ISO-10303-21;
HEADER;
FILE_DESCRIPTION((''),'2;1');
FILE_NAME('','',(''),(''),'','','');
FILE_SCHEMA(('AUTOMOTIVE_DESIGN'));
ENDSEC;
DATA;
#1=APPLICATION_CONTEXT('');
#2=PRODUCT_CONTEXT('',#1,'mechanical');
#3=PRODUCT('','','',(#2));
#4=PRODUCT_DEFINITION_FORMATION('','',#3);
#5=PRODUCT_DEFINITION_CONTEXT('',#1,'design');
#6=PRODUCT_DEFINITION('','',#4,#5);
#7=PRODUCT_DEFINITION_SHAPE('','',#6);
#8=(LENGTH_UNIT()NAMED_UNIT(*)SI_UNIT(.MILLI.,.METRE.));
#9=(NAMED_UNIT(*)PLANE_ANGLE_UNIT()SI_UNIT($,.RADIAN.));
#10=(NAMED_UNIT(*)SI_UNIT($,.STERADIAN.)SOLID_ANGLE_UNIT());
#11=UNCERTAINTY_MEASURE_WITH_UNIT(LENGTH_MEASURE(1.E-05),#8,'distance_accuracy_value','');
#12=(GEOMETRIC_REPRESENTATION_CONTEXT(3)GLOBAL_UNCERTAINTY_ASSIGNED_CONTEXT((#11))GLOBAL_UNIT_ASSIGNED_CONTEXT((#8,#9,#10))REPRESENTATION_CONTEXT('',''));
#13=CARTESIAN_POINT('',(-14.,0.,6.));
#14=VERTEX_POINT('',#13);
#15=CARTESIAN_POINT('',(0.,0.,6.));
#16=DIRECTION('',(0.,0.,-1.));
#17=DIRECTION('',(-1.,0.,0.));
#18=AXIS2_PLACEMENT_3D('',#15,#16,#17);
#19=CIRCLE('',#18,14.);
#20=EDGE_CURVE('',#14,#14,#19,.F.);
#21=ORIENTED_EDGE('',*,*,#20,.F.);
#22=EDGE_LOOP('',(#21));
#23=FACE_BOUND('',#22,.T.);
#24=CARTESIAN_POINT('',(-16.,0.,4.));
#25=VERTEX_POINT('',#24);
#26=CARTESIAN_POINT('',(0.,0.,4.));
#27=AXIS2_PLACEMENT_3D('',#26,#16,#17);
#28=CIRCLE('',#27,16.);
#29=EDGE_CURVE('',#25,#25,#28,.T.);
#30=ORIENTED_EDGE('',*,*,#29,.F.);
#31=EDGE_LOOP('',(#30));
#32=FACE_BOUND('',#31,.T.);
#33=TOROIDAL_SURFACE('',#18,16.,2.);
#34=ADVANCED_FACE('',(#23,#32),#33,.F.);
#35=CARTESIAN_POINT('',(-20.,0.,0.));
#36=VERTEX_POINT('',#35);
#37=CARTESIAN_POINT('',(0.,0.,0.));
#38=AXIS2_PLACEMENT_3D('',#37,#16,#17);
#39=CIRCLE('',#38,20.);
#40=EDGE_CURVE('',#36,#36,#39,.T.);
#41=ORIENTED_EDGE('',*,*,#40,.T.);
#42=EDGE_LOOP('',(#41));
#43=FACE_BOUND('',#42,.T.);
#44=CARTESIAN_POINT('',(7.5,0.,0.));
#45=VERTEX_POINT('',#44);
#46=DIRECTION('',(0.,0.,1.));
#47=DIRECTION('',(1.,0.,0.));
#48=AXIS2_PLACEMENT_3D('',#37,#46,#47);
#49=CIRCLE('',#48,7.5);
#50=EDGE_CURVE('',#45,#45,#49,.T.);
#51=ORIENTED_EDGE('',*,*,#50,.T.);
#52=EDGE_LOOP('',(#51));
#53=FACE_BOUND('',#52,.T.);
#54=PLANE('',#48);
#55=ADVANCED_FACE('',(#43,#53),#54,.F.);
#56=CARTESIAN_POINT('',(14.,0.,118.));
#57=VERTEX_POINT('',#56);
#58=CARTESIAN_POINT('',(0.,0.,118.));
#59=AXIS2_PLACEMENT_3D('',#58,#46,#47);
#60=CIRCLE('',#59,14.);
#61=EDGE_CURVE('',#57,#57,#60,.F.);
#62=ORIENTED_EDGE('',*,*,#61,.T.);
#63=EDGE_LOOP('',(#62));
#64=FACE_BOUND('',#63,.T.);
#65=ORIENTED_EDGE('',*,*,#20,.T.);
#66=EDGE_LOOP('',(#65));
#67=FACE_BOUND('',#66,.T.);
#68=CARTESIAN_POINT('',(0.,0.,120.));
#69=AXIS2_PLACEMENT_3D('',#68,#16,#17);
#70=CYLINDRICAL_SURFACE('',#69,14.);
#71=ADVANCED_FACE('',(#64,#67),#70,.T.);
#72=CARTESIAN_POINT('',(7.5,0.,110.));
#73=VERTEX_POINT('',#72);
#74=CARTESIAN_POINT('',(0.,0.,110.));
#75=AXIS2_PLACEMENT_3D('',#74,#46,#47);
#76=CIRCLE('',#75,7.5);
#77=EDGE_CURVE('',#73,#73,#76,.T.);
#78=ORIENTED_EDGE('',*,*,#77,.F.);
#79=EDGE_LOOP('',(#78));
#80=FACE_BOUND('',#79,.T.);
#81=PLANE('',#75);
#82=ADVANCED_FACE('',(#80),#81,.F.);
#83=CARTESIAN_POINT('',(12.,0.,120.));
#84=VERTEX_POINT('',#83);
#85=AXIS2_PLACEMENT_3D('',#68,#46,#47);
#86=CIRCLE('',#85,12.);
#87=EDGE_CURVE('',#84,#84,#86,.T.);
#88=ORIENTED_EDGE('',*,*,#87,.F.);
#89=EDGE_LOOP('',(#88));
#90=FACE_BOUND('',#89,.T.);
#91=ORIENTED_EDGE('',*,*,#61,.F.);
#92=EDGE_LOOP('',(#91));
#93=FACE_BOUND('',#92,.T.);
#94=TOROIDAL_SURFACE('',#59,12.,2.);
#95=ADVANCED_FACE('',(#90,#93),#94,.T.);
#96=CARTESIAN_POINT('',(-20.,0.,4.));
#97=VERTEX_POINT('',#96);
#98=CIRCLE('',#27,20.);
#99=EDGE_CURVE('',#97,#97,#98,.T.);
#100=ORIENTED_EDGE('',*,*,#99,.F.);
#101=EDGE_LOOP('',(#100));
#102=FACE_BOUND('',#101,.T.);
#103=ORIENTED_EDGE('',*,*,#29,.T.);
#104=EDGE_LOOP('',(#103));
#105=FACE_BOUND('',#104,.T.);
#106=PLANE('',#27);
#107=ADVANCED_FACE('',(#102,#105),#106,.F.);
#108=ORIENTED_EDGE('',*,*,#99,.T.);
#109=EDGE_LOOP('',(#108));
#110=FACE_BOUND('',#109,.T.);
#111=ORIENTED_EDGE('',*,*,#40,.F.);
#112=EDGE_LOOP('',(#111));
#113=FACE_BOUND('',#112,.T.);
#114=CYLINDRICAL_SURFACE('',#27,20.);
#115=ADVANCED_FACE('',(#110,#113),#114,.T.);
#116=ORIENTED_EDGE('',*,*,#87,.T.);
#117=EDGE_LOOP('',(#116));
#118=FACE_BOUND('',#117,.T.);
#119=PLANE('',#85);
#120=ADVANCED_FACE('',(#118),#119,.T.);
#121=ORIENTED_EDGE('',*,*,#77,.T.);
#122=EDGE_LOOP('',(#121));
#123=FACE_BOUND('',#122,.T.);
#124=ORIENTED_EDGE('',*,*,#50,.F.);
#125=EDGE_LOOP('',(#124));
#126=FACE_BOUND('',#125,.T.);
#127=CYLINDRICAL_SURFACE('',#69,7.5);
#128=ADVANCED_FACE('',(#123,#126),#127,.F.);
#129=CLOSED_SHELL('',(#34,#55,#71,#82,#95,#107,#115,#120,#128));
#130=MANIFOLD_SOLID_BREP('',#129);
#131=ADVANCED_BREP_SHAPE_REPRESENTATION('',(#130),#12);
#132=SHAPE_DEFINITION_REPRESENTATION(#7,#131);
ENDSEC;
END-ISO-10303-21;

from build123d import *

# Parameters (mm, degrees)
SKETCH1_R           = 14
SKETCH1_R_2         = 7.5
BOSS_EXTRUDE1_DEPTH = 120
BOSS_EXTRUDE2_START = -10
SKETCH2_R           = 14
BOSS_EXTRUDE2_DEPTH = 10
SKETCH3_R           = 20
SKETCH3_R_2         = 7.5
BOSS_EXTRUDE3_DEPTH = 4
FILLET3_R           = 2


with BuildPart() as part:
    # Sketch1 → Boss-Extrude1 (new body)
    with BuildSketch(Plane.XY):
        Circle(SKETCH1_R)
        Circle(SKETCH1_R_2, mode=Mode.SUBTRACT)
    extrude(amount=BOSS_EXTRUDE1_DEPTH)

    # Sketch2 → Boss-Extrude2 (add)
    with BuildSketch(Plane.XY.offset(120).offset(BOSS_EXTRUDE2_START)):
        Circle(SKETCH2_R)
    extrude(amount=BOSS_EXTRUDE2_DEPTH)

    # Sketch3 → Boss-Extrude3 (add)
    with BuildSketch(Plane(origin=(0, 0, 0), x_dir=(-1, 0, 0), z_dir=(0, 0, -1))):
        Circle(SKETCH3_R)
        with Locations(Location((0, 0, 0), (0, 0, 180))):
            Circle(SKETCH3_R_2, mode=Mode.SUBTRACT)
    extrude(amount=-BOSS_EXTRUDE3_DEPTH)

    # Fillet3
    fillet3_edges = [part.edges().sort_by_distance(p)[0] for p in [
        (-14, 0, 4),
        (-14, 0, 120),
    ]]
    fillet(fillet3_edges, radius=FILLET3_R)


solid = part.part
